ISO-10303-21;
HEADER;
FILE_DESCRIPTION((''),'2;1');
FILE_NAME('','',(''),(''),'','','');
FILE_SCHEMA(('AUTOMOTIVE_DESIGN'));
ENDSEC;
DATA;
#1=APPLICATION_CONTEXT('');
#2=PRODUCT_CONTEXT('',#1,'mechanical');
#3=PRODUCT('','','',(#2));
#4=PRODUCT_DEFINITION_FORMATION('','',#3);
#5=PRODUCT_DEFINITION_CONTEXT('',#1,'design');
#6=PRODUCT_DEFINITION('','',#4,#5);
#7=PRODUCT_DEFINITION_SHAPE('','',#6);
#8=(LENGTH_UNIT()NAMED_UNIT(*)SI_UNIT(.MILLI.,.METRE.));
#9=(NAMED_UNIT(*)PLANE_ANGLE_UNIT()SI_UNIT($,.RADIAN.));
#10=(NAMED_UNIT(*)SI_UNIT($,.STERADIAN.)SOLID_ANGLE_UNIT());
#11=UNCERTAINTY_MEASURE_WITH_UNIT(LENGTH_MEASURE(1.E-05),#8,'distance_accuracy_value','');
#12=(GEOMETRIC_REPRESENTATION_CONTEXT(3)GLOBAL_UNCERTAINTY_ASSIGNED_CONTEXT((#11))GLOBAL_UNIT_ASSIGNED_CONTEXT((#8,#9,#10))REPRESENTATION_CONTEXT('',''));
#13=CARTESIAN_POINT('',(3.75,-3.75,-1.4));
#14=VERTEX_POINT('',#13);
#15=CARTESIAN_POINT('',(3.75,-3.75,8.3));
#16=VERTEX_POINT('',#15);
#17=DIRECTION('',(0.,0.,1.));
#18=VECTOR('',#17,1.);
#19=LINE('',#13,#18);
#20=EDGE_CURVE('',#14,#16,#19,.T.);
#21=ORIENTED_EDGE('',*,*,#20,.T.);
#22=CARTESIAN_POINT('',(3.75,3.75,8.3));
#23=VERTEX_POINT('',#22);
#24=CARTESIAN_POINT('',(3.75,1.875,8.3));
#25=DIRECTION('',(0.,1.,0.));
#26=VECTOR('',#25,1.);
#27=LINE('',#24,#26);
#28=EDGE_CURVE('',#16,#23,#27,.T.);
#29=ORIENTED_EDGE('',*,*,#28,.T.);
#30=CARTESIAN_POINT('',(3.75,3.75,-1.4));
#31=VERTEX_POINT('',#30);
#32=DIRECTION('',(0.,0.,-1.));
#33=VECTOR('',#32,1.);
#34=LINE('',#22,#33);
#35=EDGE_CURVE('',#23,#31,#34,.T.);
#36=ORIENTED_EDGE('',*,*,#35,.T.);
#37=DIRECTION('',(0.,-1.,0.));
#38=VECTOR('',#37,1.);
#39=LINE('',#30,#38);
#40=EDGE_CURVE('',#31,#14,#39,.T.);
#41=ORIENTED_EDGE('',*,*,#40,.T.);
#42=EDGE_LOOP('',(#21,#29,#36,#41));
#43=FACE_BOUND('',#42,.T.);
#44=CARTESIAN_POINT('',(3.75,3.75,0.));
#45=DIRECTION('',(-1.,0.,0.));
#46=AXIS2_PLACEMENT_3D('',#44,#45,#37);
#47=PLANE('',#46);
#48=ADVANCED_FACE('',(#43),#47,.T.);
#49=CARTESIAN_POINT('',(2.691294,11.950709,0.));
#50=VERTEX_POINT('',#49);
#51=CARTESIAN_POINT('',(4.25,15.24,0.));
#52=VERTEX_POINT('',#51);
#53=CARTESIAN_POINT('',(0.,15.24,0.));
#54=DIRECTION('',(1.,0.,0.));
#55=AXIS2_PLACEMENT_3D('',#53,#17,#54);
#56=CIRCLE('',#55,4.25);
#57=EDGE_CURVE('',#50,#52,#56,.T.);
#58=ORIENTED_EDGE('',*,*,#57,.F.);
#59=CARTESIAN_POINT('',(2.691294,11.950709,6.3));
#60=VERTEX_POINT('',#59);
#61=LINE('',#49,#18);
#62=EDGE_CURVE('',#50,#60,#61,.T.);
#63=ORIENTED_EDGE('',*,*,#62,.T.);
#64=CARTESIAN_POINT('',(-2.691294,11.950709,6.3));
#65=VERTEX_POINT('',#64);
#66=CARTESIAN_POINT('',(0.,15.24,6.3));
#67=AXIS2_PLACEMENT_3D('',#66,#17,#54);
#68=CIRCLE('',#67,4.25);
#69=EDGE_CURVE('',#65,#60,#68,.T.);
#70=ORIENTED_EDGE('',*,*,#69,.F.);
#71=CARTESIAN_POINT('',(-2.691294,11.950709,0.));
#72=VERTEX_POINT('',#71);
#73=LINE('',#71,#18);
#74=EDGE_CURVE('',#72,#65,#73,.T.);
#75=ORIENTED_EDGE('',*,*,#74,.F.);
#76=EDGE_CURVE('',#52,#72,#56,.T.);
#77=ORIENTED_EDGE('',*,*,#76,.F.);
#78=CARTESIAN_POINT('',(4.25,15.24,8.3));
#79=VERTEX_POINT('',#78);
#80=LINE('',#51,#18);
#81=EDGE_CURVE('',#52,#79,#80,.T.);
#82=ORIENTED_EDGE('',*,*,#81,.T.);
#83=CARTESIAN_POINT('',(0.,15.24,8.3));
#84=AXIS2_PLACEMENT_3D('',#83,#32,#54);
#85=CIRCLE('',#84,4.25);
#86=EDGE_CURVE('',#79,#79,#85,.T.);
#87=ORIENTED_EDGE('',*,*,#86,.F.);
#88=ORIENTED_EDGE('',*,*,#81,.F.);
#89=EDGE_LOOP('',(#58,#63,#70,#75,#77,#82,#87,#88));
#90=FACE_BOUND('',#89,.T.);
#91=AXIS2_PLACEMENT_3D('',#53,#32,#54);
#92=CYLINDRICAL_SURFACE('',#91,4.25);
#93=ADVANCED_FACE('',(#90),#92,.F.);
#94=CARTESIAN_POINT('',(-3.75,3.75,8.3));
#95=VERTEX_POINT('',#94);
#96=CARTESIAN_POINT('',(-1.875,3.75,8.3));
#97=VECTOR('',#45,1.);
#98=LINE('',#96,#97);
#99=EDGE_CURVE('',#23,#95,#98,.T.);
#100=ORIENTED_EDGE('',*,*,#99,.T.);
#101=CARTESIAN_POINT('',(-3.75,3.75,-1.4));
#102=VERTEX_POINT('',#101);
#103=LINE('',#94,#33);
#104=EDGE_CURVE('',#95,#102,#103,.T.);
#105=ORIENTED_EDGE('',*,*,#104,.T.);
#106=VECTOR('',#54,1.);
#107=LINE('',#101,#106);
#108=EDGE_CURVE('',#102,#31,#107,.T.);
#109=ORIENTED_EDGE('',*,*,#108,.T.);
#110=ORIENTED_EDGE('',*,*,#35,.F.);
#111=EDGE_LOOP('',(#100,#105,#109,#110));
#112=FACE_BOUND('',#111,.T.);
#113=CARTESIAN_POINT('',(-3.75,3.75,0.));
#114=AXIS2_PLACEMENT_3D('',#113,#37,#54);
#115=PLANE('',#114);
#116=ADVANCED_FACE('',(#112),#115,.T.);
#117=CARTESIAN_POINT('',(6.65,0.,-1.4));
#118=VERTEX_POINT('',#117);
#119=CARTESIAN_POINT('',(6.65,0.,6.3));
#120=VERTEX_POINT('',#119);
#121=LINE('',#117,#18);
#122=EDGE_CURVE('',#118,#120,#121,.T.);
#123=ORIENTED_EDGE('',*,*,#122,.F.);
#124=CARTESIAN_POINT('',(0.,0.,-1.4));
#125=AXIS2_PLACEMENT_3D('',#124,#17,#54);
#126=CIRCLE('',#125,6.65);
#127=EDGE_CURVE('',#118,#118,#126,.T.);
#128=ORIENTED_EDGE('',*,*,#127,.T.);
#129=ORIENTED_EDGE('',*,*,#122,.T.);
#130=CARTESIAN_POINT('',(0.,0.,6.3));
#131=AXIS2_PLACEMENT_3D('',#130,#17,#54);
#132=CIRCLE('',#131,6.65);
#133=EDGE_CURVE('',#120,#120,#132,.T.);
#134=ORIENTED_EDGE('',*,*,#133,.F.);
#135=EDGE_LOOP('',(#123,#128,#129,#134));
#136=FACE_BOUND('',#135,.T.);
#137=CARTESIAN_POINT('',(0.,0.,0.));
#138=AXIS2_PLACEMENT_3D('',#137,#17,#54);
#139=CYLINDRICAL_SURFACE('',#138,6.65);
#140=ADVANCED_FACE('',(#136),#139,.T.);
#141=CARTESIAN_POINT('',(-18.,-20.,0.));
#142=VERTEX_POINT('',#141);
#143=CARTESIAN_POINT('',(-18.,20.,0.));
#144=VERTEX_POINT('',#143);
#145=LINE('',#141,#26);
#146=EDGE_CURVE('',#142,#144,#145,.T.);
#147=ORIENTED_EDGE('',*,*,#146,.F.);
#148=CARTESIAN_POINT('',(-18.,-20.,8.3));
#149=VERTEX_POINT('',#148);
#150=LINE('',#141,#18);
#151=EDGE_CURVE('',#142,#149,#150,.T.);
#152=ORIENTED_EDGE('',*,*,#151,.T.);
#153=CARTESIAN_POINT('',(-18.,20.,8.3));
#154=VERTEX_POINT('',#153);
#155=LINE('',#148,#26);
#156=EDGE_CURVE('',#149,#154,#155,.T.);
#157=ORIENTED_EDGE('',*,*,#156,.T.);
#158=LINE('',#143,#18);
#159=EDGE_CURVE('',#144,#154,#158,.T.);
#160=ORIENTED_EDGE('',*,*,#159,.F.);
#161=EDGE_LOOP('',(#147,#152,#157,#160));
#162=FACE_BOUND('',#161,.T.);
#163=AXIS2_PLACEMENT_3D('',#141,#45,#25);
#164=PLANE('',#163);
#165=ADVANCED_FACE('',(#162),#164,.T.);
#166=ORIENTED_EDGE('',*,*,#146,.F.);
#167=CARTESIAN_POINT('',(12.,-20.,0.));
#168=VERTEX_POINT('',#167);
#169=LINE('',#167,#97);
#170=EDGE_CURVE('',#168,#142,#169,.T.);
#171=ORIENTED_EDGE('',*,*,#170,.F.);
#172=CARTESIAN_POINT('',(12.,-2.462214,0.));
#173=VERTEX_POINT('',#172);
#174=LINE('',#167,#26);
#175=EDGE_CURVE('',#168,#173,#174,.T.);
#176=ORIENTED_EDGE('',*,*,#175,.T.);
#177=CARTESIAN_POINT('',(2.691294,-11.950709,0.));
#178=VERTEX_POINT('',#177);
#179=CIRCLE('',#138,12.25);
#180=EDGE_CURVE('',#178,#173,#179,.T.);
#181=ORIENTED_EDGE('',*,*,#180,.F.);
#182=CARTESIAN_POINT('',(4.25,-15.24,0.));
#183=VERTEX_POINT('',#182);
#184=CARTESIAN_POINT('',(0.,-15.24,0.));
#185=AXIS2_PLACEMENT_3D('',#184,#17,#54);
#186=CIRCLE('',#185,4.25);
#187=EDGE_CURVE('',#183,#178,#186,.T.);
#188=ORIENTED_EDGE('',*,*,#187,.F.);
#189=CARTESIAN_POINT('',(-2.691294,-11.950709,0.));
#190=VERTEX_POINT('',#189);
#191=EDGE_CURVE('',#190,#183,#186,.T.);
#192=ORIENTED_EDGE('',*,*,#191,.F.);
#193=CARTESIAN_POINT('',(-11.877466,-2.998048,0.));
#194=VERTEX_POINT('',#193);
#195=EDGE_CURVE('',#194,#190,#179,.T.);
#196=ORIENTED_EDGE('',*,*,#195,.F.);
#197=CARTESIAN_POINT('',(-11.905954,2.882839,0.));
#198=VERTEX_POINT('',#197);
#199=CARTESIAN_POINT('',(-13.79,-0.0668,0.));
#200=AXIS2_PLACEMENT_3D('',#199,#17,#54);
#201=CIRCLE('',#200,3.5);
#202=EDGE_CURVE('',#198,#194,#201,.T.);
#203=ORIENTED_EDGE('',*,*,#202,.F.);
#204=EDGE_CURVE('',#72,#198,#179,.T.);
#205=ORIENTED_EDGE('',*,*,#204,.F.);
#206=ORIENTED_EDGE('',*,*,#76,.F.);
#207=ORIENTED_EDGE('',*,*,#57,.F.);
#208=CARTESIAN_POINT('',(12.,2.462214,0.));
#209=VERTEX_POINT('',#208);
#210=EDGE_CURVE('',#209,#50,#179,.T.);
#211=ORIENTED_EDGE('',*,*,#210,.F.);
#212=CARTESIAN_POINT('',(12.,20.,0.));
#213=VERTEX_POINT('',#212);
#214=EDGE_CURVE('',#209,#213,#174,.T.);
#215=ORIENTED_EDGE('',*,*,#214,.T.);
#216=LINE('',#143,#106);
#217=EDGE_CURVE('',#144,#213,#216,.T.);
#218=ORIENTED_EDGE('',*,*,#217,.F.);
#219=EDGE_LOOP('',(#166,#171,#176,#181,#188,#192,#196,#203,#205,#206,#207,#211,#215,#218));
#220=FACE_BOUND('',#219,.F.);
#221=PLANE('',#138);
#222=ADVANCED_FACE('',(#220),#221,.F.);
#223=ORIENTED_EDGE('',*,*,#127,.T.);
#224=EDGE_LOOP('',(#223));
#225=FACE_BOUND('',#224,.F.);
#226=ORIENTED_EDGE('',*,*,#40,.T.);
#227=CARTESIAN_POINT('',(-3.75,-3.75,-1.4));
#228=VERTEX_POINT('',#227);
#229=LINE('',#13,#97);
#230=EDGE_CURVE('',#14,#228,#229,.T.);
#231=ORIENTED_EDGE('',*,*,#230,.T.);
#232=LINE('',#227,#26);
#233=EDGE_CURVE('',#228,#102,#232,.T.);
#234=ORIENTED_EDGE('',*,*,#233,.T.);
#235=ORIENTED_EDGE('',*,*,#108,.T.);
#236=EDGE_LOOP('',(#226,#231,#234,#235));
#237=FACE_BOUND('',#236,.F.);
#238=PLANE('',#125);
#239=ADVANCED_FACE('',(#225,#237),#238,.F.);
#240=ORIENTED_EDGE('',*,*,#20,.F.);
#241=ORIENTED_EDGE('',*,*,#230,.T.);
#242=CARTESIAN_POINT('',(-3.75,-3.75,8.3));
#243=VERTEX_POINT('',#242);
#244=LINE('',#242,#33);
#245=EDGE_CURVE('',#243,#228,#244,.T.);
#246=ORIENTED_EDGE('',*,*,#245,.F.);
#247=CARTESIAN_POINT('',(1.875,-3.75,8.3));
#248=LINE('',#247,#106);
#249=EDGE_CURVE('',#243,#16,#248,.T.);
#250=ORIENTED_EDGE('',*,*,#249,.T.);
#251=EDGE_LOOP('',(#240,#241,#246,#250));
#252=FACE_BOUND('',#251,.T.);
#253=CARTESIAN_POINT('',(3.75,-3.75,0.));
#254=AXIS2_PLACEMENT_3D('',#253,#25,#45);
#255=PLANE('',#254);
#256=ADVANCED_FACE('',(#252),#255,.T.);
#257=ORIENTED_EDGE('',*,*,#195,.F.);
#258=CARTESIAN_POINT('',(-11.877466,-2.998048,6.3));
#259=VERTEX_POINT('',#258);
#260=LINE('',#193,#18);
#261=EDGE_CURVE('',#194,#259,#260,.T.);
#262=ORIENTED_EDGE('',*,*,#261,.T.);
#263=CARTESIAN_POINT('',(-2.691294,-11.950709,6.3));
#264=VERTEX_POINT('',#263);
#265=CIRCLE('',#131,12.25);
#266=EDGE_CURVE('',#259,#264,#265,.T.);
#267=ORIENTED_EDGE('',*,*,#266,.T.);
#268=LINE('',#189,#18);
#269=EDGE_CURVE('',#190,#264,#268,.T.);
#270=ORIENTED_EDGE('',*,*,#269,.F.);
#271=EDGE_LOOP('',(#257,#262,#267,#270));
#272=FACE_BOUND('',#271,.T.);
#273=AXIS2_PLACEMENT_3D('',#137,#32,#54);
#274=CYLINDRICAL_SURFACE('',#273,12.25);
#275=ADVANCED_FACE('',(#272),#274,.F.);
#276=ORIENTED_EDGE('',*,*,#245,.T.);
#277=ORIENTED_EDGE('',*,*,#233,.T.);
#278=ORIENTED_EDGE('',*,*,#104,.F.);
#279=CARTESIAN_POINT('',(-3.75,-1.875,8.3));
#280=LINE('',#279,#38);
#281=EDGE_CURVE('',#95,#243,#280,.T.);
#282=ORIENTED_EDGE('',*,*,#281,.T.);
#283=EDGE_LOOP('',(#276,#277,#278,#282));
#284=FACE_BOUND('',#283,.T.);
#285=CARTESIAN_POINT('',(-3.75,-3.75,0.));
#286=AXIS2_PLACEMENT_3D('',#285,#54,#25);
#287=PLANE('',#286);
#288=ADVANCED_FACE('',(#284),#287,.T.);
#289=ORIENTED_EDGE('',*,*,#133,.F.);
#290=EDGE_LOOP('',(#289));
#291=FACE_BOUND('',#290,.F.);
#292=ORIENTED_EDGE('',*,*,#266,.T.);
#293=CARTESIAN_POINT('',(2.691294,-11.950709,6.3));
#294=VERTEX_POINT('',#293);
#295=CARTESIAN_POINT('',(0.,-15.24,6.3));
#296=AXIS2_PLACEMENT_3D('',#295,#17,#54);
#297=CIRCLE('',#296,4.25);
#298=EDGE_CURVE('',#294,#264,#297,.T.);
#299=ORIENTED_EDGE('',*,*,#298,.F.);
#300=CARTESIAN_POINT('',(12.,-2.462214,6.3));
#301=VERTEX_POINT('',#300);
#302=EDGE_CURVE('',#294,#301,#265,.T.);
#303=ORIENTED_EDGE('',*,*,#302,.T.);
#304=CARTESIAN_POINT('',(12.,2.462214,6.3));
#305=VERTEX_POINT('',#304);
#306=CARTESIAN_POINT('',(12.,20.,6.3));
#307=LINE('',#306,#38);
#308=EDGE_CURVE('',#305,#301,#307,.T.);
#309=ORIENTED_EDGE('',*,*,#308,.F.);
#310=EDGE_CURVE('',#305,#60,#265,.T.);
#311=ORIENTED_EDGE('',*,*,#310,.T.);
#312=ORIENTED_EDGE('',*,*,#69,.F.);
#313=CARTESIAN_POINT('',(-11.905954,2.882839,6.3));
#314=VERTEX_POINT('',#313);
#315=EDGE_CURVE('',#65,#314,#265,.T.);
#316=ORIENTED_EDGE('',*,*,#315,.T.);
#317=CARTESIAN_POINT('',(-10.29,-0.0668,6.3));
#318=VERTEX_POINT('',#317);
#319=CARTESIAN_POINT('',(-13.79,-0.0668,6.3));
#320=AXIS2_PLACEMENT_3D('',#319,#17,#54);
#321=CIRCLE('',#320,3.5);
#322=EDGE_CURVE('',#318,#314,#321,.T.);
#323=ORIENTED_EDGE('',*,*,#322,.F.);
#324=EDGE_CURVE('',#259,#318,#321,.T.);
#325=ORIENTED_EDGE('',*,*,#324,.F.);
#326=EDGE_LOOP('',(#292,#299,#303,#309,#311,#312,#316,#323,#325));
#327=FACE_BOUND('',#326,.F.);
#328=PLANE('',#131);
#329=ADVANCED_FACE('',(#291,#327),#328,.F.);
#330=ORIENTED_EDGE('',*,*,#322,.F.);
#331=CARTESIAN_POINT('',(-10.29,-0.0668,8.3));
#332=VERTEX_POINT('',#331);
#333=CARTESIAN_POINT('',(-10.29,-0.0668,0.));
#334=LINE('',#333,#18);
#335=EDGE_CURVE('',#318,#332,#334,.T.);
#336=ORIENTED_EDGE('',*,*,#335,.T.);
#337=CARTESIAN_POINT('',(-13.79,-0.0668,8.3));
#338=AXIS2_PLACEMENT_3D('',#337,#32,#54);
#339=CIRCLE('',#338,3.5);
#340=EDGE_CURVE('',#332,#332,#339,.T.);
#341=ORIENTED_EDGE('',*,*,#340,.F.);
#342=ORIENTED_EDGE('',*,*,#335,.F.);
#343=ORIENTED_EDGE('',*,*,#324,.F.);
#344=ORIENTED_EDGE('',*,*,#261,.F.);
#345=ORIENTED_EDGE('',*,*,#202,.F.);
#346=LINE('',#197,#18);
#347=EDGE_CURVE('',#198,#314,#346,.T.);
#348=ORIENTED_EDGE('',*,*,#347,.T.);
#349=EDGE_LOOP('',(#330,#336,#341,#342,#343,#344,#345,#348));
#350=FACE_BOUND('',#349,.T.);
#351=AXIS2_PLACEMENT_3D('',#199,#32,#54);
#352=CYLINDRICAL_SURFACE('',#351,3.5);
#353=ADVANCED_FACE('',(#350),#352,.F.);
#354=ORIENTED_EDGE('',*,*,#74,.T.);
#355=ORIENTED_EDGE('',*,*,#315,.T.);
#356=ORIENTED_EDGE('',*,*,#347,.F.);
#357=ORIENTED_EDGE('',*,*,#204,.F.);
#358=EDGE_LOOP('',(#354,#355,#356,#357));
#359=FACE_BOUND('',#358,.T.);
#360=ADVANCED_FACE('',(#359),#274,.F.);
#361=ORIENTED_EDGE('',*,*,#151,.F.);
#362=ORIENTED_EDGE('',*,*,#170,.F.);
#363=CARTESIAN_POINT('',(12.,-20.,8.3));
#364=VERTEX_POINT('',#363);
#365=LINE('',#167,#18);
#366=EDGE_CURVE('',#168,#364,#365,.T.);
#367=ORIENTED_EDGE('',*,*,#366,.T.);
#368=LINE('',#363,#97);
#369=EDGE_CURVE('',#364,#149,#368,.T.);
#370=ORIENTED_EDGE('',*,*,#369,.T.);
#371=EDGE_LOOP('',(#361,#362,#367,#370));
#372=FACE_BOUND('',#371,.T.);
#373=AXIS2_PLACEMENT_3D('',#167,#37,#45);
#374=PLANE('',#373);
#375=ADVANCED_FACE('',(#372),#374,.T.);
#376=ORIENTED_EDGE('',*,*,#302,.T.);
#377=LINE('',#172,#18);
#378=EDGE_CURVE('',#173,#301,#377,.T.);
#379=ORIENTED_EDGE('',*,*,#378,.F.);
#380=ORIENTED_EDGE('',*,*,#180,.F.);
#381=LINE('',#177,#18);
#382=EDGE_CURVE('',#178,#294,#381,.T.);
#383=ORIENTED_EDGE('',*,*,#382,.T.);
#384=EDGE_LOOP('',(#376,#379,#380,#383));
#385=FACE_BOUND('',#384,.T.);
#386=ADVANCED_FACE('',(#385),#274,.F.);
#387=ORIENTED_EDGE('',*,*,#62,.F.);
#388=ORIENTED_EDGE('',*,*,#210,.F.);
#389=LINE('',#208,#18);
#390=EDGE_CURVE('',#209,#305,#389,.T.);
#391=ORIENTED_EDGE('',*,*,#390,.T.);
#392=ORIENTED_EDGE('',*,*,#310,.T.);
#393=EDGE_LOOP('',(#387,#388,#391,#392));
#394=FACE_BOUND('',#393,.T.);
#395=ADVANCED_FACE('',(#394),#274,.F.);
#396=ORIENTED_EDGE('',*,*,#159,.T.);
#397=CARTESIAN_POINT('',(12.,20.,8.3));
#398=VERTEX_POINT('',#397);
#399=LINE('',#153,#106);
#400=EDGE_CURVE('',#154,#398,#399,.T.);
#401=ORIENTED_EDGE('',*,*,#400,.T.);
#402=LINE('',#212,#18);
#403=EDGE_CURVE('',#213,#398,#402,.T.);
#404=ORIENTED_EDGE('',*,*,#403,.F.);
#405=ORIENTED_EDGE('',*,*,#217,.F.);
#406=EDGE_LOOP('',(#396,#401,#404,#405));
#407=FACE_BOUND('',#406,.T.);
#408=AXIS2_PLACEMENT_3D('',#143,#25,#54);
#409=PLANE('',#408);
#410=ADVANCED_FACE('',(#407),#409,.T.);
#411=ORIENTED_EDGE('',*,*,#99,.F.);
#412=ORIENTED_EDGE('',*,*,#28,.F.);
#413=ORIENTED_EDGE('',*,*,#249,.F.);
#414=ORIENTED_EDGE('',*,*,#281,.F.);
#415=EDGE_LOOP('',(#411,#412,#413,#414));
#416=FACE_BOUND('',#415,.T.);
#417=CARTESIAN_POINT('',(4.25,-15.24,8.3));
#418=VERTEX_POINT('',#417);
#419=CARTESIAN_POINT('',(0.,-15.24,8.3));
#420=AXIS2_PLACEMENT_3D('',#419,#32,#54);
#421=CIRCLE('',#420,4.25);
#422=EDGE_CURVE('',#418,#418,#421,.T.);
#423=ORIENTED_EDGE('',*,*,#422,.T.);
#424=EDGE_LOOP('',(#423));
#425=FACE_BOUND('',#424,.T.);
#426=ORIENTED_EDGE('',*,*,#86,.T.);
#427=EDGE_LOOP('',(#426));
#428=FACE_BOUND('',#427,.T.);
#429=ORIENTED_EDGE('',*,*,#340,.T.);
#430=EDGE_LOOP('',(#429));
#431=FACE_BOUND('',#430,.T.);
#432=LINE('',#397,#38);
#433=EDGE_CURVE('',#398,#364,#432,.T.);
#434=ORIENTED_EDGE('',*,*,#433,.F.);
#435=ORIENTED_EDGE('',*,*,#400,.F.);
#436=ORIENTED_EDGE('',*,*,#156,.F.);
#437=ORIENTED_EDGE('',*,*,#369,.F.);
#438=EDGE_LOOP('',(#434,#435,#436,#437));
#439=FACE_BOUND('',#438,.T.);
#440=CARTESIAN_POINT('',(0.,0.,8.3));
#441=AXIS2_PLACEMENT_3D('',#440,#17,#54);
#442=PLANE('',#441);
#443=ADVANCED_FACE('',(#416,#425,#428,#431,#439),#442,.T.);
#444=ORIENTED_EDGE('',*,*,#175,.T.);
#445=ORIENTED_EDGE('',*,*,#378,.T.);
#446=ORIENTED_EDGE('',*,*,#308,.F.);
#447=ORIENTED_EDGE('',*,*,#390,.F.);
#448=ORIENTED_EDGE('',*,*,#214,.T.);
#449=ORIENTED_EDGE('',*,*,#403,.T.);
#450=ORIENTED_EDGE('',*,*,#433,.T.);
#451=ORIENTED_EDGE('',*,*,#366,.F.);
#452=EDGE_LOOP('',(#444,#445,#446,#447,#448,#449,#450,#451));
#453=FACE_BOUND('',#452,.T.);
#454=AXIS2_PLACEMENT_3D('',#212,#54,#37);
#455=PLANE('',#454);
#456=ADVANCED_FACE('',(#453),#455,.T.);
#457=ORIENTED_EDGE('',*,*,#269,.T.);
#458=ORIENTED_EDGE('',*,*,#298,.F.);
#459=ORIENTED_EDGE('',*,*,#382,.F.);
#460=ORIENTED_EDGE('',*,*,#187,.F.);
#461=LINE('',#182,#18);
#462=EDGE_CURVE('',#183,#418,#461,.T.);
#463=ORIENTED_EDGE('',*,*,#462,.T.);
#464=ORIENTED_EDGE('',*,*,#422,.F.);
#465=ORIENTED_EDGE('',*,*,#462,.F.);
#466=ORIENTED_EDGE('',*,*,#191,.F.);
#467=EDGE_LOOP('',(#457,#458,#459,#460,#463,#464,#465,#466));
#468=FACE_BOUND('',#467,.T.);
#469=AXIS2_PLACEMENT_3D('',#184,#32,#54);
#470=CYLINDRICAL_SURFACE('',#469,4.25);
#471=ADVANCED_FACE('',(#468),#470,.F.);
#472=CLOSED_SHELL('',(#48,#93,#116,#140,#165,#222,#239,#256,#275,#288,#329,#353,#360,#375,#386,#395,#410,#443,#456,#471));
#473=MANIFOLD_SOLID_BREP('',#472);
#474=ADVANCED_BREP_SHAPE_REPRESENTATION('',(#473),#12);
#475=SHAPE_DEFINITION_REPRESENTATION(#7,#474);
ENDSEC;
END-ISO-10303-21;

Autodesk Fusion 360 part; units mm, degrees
sketch "Skizze1" plane through (0, 0, 0) normal (0, 0, 1) x (1, 0, 0)
  line L0 (-18, 20) -> (12, 20)
  line L1 (12, 20) -> (12, -20)
  line L2 (12, -20) -> (-18, -20)
  line L3 (-18, -20) -> (-18, 20)
  line L4 (0, 23) -> (0, -24) construction
  line L5 (-24.4424, 15.24) -> (27, 15.24) construction
  line L6 (-24, -15.24) -> (24, -15.24) construction
  line L7 (-13.79, 18) -> (-13.79, -18.6195) construction
  circle A0 centre (0, 15.24) radius 4.25
  circle A1 centre (0, -15.24) radius 4.25
  circle A2 centre (-13.79, -0.0668) radius 3.5
  circle A3 centre (0, 0) radius 12.25
  line L8 (3.75, -3.75) -> (-3.75, -3.75)
  line L9 (-3.75, -3.75) -> (-3.75, 3.75)
  line L10 (-3.75, 3.75) -> (3.75, 3.75)
  line L11 (3.75, 3.75) -> (3.75, -3.75)
  line L12 (3.75, -3.75) -> (-3.75, 3.75) construction
  line L13 (-3.75, -3.75) -> (3.75, 3.75) construction
  circle A4 centre (0, 0) radius 6.65
  dimension "d1" = 12
  dimension "d2" = 18
  dimension "d3" = 20
  dimension "d4" = 20
  dimension "d5" = 15.24
  dimension "d6" = 15.24
  dimension "d7" = 13.79
  dimension "d8" = 8.5
  dimension "d9" = 8.5
  dimension "d10" = 7
  dimension "d11" = 24.5
  dimension "d12" = 7.5
  dimension "d13" = 7.5
  dimension "d24" = 4.76
  dimension "d25" = 13.3
extrude "Extrusion1" add sketch "Skizze1" along normal blind 8.3 contours L0 L1 L2 L3 A0 A1 A2 A3 | L1 A0 A1 A2 A3 | A0 A3 | A0 A3 | A1 A3 | A1 A3 | A2 A3 | A2 A3 | L8 L9 L10 L11 | A4
extrude "Extrusion6" cut sketch "Skizze1" along normal blind 10 contours A0 A3 | A0 A3 | A1 A3 | A1 A3 | A2 A3 | A2 A3 | L8 L9 L10 L11
extrude "Extrusion7" cut sketch "Skizze1" along normal blind 6.3 contours L1 A0 A1 A2 A3
extrude "Extrusion8" add sketch "Skizze1" against normal blind 1.4 contours A4
